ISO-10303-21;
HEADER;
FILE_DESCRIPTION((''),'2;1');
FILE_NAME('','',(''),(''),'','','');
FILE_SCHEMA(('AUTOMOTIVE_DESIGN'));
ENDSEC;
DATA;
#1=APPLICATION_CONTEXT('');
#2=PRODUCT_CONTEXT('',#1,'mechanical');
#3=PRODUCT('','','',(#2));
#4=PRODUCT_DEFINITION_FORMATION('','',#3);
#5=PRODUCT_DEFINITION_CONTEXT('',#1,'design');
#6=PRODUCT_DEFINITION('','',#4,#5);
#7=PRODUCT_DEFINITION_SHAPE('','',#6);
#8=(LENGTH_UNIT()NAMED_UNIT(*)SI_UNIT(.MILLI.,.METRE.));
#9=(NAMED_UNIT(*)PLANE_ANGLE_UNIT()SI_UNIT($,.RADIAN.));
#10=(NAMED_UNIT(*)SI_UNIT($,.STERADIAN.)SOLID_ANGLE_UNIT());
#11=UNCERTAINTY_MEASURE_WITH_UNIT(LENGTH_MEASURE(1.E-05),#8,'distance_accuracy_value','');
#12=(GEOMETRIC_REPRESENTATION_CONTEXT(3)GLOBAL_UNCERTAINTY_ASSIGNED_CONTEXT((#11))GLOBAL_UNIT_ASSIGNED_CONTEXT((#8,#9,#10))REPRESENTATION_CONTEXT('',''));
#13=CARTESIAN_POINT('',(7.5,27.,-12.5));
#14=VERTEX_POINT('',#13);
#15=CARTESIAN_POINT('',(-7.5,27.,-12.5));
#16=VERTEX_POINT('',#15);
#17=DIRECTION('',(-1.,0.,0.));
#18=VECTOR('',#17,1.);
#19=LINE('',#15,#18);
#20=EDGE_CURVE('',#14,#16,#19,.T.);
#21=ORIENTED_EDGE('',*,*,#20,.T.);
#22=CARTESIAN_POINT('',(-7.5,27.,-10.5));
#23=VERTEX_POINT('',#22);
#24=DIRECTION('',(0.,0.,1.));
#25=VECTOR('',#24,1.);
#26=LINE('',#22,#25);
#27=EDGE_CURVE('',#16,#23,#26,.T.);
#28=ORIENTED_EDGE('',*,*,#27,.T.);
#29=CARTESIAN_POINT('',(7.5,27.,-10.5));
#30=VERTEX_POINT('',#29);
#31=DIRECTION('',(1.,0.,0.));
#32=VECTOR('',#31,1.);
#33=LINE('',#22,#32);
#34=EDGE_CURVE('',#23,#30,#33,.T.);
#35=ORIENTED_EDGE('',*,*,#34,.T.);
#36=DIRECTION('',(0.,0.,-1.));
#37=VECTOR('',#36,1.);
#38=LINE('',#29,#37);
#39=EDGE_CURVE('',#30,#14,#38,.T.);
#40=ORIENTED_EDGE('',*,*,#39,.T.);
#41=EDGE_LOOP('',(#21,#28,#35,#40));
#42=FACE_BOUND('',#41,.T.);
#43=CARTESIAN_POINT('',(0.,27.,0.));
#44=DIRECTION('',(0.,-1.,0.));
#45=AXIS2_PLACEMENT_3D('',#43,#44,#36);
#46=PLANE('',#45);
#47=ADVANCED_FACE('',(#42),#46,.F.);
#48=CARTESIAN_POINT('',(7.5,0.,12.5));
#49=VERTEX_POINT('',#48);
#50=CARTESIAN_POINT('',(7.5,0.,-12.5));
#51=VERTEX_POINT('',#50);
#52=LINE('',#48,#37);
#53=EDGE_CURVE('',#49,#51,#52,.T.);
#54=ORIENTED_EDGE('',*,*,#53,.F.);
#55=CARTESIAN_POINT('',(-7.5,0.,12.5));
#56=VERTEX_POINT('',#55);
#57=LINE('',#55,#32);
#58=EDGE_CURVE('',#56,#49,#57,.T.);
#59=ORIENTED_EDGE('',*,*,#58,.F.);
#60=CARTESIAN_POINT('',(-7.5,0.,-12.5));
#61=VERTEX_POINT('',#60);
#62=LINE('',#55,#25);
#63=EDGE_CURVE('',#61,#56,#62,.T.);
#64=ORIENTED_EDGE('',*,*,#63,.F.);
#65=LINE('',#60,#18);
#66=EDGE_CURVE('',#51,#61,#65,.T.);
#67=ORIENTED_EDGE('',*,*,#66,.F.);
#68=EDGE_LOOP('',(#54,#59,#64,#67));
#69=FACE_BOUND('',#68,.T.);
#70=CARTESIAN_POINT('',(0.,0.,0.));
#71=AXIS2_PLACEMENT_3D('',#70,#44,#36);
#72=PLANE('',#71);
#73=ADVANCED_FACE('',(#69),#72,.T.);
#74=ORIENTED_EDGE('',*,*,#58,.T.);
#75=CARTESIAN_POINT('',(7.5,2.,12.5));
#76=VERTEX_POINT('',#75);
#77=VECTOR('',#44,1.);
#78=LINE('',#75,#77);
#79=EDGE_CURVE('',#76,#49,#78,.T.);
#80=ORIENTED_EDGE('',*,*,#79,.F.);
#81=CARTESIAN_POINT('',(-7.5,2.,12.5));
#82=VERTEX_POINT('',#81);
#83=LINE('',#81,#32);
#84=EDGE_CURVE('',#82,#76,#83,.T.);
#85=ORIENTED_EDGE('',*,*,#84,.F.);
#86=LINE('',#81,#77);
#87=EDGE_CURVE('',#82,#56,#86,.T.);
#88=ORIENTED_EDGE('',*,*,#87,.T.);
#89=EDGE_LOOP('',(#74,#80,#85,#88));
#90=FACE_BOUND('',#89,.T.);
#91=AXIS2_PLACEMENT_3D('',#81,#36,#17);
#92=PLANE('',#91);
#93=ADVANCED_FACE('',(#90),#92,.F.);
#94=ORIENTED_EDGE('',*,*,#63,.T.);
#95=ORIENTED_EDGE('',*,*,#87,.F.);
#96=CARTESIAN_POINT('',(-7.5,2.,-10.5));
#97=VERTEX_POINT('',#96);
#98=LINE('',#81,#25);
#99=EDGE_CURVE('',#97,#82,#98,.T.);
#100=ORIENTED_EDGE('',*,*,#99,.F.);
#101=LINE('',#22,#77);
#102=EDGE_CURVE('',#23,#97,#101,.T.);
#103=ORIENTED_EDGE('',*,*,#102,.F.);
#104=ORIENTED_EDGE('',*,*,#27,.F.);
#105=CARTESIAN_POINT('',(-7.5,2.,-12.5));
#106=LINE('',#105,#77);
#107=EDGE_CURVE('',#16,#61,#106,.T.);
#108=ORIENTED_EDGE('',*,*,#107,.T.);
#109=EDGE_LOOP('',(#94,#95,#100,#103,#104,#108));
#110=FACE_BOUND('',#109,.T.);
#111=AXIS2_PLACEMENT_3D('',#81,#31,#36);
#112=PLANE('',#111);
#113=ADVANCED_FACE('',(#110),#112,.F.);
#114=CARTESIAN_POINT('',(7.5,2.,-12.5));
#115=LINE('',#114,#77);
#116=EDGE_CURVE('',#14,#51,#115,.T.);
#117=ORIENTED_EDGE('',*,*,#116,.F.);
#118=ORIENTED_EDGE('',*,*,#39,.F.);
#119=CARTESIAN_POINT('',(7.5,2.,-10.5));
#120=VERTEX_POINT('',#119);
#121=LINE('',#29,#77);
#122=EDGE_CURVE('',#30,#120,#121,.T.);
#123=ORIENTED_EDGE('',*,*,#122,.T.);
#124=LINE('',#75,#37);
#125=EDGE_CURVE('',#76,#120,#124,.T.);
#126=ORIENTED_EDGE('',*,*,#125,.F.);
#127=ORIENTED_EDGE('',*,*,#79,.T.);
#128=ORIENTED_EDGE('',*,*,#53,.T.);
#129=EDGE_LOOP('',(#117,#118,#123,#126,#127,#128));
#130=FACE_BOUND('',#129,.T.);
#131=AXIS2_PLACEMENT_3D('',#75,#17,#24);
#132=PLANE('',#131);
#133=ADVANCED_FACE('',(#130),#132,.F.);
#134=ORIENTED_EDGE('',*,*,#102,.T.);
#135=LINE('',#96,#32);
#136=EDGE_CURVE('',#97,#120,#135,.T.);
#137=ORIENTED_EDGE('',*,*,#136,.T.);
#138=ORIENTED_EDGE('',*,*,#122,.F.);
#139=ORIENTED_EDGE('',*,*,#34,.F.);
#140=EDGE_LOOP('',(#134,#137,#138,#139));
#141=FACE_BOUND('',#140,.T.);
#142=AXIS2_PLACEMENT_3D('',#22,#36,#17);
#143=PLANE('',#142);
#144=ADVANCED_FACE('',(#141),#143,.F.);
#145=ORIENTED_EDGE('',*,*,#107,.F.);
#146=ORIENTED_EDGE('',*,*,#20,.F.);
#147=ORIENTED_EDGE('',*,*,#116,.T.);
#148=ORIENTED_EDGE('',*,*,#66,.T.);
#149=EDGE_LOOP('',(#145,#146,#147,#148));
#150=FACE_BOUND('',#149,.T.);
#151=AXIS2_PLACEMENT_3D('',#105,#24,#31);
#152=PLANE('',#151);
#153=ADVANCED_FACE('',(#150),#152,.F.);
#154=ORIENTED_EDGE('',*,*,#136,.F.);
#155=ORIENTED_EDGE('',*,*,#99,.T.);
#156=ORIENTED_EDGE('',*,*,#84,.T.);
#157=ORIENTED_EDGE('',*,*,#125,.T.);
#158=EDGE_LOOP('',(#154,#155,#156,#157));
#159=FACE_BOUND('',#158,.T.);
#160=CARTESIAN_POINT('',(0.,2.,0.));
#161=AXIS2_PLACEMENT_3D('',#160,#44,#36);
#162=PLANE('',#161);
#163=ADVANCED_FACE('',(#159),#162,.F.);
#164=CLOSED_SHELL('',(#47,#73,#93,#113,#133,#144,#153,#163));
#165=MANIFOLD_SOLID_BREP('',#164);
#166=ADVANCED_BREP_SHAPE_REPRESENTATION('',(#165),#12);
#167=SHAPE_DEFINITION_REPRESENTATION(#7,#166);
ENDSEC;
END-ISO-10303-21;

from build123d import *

# Parameters (mm, degrees)
SKETCH1_W           = 15
SKETCH1_H           = 25
BOSS_EXTRUDE1_DEPTH = 2
SKETCH2_W           = 15
SKETCH2_H           = 2
BOSS_EXTRUDE2_DEPTH = 25


with BuildPart() as part:
    # Sketch1 → Boss-Extrude1 (new body)
    with BuildSketch(Plane(origin=(0, 0, 0), x_dir=(1, 0, 0), z_dir=(0, 1, 0))):
        Rectangle(SKETCH1_W, SKETCH1_H)
    extrude(amount=BOSS_EXTRUDE1_DEPTH)

    # Sketch2 → Boss-Extrude2 (add)
    with BuildSketch(Plane(origin=(0, 2, 0), x_dir=(1, 0, 0), z_dir=(0, 1, 0))):
        with Locations((0, 11.5)):
            Rectangle(SKETCH2_W, SKETCH2_H)
    extrude(amount=BOSS_EXTRUDE2_DEPTH)


solid = part.part
